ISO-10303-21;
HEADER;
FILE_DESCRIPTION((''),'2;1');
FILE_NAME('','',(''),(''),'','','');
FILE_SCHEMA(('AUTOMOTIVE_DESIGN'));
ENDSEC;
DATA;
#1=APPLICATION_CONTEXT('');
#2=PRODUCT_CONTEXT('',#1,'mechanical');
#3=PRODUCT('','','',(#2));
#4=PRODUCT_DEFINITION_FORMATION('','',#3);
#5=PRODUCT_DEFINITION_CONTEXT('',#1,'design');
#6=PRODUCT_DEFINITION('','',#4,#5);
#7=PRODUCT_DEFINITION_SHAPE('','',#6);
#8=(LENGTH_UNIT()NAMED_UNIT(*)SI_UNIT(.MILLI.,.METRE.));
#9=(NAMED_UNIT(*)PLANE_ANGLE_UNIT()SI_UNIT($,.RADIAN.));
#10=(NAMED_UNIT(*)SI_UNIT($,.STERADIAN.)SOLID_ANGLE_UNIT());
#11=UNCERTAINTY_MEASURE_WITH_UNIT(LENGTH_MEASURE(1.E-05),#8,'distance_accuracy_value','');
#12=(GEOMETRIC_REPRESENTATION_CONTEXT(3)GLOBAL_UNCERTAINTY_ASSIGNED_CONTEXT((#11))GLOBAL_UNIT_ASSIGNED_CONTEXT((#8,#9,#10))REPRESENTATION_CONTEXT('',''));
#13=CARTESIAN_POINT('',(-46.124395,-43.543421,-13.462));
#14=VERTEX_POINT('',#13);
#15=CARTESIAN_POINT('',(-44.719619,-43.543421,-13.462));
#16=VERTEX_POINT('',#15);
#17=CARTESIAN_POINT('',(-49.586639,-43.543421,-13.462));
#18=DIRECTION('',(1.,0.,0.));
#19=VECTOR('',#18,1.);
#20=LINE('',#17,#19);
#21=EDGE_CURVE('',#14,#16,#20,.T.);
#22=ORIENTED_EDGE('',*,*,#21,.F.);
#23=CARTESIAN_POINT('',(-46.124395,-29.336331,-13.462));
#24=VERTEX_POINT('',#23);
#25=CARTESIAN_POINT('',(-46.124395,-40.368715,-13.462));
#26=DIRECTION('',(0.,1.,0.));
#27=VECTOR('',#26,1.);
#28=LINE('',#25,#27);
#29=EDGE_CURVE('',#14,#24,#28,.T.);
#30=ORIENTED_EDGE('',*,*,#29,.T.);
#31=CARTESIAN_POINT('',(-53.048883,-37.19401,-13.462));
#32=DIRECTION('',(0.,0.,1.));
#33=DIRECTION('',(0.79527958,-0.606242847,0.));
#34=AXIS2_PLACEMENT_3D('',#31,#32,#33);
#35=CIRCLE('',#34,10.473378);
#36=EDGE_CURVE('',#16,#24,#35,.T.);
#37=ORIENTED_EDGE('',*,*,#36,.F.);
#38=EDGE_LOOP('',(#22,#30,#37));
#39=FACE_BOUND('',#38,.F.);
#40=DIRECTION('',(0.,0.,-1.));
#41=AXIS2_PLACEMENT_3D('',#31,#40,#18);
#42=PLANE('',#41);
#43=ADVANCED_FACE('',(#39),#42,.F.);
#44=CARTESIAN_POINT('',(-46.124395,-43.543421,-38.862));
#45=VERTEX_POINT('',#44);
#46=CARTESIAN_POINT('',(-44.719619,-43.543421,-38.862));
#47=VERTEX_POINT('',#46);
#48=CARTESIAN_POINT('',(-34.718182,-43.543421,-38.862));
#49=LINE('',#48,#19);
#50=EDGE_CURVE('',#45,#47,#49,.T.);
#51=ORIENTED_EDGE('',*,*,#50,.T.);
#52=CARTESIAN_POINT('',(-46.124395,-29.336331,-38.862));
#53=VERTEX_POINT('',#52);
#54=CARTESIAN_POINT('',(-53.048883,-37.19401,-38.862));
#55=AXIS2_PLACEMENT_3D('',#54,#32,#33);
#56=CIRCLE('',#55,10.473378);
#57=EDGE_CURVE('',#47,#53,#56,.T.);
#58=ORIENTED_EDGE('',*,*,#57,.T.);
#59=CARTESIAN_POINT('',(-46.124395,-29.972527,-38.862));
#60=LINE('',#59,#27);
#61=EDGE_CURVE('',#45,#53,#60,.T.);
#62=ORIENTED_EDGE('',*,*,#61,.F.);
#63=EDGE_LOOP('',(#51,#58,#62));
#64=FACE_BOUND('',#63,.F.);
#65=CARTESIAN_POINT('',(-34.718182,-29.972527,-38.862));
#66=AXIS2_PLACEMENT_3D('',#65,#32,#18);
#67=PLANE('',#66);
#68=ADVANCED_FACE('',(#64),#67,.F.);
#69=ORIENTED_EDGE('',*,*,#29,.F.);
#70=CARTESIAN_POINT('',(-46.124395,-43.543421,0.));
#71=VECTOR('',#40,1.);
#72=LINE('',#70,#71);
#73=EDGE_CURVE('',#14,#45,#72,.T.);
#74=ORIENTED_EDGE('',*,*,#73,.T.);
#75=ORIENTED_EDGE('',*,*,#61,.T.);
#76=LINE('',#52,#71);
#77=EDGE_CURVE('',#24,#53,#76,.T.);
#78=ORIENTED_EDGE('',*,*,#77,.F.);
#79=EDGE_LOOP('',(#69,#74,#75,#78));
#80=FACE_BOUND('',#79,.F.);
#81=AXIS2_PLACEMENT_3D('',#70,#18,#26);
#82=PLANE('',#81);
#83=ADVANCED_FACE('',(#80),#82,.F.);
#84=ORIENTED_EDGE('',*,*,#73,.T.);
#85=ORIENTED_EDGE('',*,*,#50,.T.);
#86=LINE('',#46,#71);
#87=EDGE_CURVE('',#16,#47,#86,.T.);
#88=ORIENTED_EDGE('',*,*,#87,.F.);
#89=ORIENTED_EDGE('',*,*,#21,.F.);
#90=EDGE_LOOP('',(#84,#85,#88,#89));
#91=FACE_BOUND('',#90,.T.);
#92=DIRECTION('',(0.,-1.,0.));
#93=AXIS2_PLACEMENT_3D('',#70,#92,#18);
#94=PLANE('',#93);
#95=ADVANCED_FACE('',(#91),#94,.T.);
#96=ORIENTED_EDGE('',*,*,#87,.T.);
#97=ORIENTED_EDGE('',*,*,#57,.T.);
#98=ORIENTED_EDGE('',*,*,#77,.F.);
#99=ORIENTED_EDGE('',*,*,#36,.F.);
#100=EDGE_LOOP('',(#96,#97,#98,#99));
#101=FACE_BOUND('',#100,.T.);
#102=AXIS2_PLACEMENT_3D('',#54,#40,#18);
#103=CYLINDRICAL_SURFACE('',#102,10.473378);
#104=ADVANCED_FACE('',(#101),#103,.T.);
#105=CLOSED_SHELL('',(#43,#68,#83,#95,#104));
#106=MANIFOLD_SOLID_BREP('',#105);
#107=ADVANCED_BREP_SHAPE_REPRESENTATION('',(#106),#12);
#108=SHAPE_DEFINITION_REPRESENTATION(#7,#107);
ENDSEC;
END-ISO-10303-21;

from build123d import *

# Parameters (mm, degrees)
F0_W     = 22.812426
F0_H     = 27.141787
F1_DEPTH = 38.862
F2_R     = 10.473378
F3_DEPTH = 25.4


with BuildPart() as f1:
    # F0 (on Top) → F1 (new body)
    with BuildSketch(Plane.XY):
        with Locations((-34.718182, -29.972527)):
            Rectangle(F0_W, F0_H)
    extrude(amount=-F1_DEPTH)

    # F2 (on face) → F3 (intersect)
    with BuildSketch(Plane(origin=(0, 0, -38.862), x_dir=(1, 0, 0), z_dir=(0, 0, -1))):
        with Locations((-53.048883, 37.19401)):
            Circle(F2_R)
    extrude(amount=-F3_DEPTH, mode=Mode.INTERSECT)


solid = f1.part
